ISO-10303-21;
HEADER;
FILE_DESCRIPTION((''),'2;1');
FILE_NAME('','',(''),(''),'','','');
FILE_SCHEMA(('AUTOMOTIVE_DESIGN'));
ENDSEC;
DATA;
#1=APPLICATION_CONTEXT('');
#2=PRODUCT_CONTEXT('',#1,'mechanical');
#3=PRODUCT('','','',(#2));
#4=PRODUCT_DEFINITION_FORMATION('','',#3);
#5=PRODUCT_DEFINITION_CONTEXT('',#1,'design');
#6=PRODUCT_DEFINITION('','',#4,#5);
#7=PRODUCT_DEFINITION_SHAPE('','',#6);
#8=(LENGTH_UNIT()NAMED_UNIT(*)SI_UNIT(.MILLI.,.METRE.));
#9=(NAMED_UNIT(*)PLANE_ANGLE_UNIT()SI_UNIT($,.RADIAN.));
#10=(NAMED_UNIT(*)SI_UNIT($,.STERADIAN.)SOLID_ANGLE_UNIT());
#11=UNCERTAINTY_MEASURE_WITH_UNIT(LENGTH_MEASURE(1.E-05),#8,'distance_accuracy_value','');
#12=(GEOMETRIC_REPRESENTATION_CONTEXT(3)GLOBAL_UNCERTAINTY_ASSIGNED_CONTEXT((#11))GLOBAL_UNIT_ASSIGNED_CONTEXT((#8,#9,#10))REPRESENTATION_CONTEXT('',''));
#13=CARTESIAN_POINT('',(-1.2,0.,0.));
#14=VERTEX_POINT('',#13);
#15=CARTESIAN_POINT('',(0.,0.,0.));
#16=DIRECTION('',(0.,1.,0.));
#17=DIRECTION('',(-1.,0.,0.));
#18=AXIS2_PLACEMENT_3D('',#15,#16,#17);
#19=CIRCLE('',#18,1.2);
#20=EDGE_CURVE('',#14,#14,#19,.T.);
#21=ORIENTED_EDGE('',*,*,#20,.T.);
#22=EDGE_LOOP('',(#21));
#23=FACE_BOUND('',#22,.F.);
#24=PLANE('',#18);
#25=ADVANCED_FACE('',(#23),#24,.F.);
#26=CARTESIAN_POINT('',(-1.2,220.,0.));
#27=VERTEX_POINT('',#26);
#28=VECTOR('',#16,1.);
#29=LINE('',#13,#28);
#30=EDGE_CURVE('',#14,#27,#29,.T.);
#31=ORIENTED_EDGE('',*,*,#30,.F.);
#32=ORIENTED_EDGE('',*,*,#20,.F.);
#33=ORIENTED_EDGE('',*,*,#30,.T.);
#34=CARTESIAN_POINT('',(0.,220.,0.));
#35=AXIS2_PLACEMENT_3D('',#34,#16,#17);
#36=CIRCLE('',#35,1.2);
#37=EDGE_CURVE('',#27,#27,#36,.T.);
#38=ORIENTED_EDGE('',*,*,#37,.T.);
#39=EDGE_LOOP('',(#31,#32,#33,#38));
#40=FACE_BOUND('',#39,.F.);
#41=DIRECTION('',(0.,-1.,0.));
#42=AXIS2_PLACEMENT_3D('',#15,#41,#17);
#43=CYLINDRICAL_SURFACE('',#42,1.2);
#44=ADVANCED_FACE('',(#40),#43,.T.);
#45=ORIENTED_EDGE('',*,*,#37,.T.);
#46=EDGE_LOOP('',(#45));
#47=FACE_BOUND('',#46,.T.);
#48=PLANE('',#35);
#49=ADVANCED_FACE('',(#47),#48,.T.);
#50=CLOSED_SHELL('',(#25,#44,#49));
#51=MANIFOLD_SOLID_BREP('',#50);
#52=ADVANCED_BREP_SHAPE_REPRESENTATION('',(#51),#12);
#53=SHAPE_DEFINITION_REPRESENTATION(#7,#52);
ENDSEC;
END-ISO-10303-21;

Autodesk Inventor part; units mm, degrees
ref_plane "YZ Plane" through (0, 0, 0) normal (1, 0, 0) x (0, 1, 0)
ref_plane "XZ Plane" through (0, 0, 0) normal (0, 1, 0) x (-1, 0, 0)
ref_plane "XY Plane" through (0, 0, 0) normal (0, 0, 1) x (1, 0, 0)
sketch "Sketch1" plane through (0, 0, 0) normal (0, 1, 0) x (-1, 0, 0)
  circle A0 centre (0, 0) radius 1.2
  dimension "d0" = 2.4
extrude "Extrusion1" add sketch "Sketch1" along normal blind 220
properties part number "5P.00.01.01-IB-VTP-Hinge-Rod"
